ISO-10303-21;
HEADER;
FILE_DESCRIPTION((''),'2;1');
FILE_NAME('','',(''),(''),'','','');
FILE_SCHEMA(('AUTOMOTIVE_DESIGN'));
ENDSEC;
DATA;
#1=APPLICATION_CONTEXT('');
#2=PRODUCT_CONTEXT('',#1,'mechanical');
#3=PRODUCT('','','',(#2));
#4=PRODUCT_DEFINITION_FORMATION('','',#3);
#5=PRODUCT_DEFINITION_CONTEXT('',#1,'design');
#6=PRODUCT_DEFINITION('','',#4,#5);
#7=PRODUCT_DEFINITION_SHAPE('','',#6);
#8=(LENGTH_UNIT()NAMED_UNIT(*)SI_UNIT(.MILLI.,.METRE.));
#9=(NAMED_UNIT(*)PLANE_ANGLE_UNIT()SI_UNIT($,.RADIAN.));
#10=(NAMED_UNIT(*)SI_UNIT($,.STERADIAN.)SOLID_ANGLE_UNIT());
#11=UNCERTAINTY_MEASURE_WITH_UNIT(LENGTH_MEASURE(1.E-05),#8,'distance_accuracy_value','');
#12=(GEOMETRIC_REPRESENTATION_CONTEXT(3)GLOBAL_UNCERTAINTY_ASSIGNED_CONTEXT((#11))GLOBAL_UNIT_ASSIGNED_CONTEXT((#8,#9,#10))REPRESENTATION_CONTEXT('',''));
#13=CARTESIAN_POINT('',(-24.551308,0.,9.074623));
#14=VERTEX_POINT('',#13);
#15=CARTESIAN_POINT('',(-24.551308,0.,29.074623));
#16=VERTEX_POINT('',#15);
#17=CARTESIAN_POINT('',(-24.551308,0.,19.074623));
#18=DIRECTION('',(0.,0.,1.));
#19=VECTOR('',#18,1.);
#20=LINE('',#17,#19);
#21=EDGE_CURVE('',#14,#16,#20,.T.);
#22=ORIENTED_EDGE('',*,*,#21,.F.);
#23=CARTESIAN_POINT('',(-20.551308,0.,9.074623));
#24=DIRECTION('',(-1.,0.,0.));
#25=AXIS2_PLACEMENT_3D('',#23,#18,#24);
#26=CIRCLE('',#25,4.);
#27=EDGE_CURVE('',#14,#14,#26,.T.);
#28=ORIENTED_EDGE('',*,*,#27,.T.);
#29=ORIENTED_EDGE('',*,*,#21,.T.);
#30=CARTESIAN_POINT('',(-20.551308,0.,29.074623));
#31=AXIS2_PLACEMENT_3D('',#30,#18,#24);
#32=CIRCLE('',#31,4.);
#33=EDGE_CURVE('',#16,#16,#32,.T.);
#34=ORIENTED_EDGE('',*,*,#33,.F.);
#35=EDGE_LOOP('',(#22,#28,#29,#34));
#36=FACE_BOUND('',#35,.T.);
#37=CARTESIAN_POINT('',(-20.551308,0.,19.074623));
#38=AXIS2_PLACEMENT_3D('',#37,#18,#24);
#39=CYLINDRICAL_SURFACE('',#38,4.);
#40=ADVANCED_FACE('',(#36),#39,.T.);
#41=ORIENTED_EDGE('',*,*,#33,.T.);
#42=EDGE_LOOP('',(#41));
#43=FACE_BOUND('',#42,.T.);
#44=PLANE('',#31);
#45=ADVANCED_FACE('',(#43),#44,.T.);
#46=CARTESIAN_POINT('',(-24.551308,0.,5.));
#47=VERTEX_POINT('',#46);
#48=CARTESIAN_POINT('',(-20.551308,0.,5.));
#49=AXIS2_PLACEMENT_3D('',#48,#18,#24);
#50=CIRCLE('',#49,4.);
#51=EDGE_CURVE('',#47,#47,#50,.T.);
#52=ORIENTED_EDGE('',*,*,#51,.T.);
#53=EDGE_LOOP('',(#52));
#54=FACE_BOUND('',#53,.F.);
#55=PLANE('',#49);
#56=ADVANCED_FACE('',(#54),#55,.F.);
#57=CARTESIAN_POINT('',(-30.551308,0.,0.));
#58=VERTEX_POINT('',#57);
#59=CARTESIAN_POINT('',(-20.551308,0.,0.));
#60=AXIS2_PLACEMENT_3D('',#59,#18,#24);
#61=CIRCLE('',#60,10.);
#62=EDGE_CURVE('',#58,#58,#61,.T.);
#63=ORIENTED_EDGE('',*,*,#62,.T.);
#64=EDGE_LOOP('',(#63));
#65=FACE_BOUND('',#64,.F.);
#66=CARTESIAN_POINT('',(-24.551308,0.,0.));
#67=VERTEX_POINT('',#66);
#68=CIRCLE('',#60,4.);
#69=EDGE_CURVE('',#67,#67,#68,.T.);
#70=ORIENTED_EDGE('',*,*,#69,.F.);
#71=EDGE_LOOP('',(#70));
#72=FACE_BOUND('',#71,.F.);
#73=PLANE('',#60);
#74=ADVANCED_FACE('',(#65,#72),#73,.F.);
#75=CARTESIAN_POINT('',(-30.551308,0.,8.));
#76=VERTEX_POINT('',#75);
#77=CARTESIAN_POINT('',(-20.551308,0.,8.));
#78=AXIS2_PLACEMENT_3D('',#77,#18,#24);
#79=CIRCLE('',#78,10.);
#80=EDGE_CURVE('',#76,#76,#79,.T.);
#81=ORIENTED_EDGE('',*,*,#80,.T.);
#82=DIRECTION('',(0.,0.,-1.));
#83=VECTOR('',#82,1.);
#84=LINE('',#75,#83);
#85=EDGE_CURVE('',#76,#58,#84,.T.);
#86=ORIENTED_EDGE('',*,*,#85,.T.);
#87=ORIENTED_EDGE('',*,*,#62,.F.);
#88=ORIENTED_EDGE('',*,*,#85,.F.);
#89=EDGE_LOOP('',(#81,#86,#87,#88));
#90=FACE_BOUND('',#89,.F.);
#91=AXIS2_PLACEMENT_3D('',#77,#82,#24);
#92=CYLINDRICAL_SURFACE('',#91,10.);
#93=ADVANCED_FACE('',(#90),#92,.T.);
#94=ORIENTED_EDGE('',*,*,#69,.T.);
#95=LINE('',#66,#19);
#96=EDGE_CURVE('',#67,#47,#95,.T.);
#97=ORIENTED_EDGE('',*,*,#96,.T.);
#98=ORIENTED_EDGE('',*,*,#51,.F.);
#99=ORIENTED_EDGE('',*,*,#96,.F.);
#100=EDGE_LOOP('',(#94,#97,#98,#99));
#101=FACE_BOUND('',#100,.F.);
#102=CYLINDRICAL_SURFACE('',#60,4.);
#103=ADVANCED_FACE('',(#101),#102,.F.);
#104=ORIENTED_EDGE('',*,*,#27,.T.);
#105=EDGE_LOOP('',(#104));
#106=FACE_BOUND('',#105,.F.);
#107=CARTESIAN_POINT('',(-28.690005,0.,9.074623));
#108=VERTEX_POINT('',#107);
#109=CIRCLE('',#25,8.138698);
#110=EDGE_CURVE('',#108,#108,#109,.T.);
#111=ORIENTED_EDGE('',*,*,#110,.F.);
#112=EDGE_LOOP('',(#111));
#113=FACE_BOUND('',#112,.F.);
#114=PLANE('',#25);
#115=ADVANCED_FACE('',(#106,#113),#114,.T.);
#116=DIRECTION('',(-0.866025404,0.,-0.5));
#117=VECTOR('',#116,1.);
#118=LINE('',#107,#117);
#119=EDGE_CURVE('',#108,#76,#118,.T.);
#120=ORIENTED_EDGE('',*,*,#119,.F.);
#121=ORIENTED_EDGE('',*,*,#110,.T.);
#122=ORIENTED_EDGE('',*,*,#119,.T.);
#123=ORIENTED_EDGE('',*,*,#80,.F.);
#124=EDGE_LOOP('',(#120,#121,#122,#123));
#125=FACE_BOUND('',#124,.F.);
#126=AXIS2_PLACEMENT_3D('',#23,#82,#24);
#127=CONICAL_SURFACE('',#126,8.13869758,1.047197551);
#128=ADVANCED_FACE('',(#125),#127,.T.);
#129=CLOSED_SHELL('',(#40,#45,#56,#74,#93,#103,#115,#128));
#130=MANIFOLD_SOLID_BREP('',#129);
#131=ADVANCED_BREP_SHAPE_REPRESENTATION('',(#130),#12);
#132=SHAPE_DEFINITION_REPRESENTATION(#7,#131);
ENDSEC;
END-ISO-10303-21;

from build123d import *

# Parameters (mm, degrees)
F0_W   = 4
F0_H   = 20
F0_H_2 = 3
F0_H_3 = 1.0746234533


with BuildPart() as f1:
    # F0 (on Front) → F1 (revolve)
    with BuildSketch(Plane.XZ):
        with Locations((-22.5513077103, 19.0746234533)):
            Rectangle(F0_W, F0_H)
        Polygon((-24.5513077103, 8), (-30.5513077103, 8), (-30.5513077103, 0), (-24.5513077103, 0), (-24.5513077103, 5), align=None)
        Polygon((-28.6900052902, 9.0746234533), (-30.5513077103, 8), (-24.5513077103, 8), (-24.5513077103, 9.0746234533), align=None)
        with Locations((-22.5513077103, 6.5)):
            Rectangle(F0_W, F0_H_2)
        with Locations((-22.5513077103, 8.5373117267)):
            Rectangle(F0_W, F0_H_3)
    revolve(axis=Axis((-20.5513077103, 0, 19.0746234533), (0, 0, 1)))


solid = f1.part
